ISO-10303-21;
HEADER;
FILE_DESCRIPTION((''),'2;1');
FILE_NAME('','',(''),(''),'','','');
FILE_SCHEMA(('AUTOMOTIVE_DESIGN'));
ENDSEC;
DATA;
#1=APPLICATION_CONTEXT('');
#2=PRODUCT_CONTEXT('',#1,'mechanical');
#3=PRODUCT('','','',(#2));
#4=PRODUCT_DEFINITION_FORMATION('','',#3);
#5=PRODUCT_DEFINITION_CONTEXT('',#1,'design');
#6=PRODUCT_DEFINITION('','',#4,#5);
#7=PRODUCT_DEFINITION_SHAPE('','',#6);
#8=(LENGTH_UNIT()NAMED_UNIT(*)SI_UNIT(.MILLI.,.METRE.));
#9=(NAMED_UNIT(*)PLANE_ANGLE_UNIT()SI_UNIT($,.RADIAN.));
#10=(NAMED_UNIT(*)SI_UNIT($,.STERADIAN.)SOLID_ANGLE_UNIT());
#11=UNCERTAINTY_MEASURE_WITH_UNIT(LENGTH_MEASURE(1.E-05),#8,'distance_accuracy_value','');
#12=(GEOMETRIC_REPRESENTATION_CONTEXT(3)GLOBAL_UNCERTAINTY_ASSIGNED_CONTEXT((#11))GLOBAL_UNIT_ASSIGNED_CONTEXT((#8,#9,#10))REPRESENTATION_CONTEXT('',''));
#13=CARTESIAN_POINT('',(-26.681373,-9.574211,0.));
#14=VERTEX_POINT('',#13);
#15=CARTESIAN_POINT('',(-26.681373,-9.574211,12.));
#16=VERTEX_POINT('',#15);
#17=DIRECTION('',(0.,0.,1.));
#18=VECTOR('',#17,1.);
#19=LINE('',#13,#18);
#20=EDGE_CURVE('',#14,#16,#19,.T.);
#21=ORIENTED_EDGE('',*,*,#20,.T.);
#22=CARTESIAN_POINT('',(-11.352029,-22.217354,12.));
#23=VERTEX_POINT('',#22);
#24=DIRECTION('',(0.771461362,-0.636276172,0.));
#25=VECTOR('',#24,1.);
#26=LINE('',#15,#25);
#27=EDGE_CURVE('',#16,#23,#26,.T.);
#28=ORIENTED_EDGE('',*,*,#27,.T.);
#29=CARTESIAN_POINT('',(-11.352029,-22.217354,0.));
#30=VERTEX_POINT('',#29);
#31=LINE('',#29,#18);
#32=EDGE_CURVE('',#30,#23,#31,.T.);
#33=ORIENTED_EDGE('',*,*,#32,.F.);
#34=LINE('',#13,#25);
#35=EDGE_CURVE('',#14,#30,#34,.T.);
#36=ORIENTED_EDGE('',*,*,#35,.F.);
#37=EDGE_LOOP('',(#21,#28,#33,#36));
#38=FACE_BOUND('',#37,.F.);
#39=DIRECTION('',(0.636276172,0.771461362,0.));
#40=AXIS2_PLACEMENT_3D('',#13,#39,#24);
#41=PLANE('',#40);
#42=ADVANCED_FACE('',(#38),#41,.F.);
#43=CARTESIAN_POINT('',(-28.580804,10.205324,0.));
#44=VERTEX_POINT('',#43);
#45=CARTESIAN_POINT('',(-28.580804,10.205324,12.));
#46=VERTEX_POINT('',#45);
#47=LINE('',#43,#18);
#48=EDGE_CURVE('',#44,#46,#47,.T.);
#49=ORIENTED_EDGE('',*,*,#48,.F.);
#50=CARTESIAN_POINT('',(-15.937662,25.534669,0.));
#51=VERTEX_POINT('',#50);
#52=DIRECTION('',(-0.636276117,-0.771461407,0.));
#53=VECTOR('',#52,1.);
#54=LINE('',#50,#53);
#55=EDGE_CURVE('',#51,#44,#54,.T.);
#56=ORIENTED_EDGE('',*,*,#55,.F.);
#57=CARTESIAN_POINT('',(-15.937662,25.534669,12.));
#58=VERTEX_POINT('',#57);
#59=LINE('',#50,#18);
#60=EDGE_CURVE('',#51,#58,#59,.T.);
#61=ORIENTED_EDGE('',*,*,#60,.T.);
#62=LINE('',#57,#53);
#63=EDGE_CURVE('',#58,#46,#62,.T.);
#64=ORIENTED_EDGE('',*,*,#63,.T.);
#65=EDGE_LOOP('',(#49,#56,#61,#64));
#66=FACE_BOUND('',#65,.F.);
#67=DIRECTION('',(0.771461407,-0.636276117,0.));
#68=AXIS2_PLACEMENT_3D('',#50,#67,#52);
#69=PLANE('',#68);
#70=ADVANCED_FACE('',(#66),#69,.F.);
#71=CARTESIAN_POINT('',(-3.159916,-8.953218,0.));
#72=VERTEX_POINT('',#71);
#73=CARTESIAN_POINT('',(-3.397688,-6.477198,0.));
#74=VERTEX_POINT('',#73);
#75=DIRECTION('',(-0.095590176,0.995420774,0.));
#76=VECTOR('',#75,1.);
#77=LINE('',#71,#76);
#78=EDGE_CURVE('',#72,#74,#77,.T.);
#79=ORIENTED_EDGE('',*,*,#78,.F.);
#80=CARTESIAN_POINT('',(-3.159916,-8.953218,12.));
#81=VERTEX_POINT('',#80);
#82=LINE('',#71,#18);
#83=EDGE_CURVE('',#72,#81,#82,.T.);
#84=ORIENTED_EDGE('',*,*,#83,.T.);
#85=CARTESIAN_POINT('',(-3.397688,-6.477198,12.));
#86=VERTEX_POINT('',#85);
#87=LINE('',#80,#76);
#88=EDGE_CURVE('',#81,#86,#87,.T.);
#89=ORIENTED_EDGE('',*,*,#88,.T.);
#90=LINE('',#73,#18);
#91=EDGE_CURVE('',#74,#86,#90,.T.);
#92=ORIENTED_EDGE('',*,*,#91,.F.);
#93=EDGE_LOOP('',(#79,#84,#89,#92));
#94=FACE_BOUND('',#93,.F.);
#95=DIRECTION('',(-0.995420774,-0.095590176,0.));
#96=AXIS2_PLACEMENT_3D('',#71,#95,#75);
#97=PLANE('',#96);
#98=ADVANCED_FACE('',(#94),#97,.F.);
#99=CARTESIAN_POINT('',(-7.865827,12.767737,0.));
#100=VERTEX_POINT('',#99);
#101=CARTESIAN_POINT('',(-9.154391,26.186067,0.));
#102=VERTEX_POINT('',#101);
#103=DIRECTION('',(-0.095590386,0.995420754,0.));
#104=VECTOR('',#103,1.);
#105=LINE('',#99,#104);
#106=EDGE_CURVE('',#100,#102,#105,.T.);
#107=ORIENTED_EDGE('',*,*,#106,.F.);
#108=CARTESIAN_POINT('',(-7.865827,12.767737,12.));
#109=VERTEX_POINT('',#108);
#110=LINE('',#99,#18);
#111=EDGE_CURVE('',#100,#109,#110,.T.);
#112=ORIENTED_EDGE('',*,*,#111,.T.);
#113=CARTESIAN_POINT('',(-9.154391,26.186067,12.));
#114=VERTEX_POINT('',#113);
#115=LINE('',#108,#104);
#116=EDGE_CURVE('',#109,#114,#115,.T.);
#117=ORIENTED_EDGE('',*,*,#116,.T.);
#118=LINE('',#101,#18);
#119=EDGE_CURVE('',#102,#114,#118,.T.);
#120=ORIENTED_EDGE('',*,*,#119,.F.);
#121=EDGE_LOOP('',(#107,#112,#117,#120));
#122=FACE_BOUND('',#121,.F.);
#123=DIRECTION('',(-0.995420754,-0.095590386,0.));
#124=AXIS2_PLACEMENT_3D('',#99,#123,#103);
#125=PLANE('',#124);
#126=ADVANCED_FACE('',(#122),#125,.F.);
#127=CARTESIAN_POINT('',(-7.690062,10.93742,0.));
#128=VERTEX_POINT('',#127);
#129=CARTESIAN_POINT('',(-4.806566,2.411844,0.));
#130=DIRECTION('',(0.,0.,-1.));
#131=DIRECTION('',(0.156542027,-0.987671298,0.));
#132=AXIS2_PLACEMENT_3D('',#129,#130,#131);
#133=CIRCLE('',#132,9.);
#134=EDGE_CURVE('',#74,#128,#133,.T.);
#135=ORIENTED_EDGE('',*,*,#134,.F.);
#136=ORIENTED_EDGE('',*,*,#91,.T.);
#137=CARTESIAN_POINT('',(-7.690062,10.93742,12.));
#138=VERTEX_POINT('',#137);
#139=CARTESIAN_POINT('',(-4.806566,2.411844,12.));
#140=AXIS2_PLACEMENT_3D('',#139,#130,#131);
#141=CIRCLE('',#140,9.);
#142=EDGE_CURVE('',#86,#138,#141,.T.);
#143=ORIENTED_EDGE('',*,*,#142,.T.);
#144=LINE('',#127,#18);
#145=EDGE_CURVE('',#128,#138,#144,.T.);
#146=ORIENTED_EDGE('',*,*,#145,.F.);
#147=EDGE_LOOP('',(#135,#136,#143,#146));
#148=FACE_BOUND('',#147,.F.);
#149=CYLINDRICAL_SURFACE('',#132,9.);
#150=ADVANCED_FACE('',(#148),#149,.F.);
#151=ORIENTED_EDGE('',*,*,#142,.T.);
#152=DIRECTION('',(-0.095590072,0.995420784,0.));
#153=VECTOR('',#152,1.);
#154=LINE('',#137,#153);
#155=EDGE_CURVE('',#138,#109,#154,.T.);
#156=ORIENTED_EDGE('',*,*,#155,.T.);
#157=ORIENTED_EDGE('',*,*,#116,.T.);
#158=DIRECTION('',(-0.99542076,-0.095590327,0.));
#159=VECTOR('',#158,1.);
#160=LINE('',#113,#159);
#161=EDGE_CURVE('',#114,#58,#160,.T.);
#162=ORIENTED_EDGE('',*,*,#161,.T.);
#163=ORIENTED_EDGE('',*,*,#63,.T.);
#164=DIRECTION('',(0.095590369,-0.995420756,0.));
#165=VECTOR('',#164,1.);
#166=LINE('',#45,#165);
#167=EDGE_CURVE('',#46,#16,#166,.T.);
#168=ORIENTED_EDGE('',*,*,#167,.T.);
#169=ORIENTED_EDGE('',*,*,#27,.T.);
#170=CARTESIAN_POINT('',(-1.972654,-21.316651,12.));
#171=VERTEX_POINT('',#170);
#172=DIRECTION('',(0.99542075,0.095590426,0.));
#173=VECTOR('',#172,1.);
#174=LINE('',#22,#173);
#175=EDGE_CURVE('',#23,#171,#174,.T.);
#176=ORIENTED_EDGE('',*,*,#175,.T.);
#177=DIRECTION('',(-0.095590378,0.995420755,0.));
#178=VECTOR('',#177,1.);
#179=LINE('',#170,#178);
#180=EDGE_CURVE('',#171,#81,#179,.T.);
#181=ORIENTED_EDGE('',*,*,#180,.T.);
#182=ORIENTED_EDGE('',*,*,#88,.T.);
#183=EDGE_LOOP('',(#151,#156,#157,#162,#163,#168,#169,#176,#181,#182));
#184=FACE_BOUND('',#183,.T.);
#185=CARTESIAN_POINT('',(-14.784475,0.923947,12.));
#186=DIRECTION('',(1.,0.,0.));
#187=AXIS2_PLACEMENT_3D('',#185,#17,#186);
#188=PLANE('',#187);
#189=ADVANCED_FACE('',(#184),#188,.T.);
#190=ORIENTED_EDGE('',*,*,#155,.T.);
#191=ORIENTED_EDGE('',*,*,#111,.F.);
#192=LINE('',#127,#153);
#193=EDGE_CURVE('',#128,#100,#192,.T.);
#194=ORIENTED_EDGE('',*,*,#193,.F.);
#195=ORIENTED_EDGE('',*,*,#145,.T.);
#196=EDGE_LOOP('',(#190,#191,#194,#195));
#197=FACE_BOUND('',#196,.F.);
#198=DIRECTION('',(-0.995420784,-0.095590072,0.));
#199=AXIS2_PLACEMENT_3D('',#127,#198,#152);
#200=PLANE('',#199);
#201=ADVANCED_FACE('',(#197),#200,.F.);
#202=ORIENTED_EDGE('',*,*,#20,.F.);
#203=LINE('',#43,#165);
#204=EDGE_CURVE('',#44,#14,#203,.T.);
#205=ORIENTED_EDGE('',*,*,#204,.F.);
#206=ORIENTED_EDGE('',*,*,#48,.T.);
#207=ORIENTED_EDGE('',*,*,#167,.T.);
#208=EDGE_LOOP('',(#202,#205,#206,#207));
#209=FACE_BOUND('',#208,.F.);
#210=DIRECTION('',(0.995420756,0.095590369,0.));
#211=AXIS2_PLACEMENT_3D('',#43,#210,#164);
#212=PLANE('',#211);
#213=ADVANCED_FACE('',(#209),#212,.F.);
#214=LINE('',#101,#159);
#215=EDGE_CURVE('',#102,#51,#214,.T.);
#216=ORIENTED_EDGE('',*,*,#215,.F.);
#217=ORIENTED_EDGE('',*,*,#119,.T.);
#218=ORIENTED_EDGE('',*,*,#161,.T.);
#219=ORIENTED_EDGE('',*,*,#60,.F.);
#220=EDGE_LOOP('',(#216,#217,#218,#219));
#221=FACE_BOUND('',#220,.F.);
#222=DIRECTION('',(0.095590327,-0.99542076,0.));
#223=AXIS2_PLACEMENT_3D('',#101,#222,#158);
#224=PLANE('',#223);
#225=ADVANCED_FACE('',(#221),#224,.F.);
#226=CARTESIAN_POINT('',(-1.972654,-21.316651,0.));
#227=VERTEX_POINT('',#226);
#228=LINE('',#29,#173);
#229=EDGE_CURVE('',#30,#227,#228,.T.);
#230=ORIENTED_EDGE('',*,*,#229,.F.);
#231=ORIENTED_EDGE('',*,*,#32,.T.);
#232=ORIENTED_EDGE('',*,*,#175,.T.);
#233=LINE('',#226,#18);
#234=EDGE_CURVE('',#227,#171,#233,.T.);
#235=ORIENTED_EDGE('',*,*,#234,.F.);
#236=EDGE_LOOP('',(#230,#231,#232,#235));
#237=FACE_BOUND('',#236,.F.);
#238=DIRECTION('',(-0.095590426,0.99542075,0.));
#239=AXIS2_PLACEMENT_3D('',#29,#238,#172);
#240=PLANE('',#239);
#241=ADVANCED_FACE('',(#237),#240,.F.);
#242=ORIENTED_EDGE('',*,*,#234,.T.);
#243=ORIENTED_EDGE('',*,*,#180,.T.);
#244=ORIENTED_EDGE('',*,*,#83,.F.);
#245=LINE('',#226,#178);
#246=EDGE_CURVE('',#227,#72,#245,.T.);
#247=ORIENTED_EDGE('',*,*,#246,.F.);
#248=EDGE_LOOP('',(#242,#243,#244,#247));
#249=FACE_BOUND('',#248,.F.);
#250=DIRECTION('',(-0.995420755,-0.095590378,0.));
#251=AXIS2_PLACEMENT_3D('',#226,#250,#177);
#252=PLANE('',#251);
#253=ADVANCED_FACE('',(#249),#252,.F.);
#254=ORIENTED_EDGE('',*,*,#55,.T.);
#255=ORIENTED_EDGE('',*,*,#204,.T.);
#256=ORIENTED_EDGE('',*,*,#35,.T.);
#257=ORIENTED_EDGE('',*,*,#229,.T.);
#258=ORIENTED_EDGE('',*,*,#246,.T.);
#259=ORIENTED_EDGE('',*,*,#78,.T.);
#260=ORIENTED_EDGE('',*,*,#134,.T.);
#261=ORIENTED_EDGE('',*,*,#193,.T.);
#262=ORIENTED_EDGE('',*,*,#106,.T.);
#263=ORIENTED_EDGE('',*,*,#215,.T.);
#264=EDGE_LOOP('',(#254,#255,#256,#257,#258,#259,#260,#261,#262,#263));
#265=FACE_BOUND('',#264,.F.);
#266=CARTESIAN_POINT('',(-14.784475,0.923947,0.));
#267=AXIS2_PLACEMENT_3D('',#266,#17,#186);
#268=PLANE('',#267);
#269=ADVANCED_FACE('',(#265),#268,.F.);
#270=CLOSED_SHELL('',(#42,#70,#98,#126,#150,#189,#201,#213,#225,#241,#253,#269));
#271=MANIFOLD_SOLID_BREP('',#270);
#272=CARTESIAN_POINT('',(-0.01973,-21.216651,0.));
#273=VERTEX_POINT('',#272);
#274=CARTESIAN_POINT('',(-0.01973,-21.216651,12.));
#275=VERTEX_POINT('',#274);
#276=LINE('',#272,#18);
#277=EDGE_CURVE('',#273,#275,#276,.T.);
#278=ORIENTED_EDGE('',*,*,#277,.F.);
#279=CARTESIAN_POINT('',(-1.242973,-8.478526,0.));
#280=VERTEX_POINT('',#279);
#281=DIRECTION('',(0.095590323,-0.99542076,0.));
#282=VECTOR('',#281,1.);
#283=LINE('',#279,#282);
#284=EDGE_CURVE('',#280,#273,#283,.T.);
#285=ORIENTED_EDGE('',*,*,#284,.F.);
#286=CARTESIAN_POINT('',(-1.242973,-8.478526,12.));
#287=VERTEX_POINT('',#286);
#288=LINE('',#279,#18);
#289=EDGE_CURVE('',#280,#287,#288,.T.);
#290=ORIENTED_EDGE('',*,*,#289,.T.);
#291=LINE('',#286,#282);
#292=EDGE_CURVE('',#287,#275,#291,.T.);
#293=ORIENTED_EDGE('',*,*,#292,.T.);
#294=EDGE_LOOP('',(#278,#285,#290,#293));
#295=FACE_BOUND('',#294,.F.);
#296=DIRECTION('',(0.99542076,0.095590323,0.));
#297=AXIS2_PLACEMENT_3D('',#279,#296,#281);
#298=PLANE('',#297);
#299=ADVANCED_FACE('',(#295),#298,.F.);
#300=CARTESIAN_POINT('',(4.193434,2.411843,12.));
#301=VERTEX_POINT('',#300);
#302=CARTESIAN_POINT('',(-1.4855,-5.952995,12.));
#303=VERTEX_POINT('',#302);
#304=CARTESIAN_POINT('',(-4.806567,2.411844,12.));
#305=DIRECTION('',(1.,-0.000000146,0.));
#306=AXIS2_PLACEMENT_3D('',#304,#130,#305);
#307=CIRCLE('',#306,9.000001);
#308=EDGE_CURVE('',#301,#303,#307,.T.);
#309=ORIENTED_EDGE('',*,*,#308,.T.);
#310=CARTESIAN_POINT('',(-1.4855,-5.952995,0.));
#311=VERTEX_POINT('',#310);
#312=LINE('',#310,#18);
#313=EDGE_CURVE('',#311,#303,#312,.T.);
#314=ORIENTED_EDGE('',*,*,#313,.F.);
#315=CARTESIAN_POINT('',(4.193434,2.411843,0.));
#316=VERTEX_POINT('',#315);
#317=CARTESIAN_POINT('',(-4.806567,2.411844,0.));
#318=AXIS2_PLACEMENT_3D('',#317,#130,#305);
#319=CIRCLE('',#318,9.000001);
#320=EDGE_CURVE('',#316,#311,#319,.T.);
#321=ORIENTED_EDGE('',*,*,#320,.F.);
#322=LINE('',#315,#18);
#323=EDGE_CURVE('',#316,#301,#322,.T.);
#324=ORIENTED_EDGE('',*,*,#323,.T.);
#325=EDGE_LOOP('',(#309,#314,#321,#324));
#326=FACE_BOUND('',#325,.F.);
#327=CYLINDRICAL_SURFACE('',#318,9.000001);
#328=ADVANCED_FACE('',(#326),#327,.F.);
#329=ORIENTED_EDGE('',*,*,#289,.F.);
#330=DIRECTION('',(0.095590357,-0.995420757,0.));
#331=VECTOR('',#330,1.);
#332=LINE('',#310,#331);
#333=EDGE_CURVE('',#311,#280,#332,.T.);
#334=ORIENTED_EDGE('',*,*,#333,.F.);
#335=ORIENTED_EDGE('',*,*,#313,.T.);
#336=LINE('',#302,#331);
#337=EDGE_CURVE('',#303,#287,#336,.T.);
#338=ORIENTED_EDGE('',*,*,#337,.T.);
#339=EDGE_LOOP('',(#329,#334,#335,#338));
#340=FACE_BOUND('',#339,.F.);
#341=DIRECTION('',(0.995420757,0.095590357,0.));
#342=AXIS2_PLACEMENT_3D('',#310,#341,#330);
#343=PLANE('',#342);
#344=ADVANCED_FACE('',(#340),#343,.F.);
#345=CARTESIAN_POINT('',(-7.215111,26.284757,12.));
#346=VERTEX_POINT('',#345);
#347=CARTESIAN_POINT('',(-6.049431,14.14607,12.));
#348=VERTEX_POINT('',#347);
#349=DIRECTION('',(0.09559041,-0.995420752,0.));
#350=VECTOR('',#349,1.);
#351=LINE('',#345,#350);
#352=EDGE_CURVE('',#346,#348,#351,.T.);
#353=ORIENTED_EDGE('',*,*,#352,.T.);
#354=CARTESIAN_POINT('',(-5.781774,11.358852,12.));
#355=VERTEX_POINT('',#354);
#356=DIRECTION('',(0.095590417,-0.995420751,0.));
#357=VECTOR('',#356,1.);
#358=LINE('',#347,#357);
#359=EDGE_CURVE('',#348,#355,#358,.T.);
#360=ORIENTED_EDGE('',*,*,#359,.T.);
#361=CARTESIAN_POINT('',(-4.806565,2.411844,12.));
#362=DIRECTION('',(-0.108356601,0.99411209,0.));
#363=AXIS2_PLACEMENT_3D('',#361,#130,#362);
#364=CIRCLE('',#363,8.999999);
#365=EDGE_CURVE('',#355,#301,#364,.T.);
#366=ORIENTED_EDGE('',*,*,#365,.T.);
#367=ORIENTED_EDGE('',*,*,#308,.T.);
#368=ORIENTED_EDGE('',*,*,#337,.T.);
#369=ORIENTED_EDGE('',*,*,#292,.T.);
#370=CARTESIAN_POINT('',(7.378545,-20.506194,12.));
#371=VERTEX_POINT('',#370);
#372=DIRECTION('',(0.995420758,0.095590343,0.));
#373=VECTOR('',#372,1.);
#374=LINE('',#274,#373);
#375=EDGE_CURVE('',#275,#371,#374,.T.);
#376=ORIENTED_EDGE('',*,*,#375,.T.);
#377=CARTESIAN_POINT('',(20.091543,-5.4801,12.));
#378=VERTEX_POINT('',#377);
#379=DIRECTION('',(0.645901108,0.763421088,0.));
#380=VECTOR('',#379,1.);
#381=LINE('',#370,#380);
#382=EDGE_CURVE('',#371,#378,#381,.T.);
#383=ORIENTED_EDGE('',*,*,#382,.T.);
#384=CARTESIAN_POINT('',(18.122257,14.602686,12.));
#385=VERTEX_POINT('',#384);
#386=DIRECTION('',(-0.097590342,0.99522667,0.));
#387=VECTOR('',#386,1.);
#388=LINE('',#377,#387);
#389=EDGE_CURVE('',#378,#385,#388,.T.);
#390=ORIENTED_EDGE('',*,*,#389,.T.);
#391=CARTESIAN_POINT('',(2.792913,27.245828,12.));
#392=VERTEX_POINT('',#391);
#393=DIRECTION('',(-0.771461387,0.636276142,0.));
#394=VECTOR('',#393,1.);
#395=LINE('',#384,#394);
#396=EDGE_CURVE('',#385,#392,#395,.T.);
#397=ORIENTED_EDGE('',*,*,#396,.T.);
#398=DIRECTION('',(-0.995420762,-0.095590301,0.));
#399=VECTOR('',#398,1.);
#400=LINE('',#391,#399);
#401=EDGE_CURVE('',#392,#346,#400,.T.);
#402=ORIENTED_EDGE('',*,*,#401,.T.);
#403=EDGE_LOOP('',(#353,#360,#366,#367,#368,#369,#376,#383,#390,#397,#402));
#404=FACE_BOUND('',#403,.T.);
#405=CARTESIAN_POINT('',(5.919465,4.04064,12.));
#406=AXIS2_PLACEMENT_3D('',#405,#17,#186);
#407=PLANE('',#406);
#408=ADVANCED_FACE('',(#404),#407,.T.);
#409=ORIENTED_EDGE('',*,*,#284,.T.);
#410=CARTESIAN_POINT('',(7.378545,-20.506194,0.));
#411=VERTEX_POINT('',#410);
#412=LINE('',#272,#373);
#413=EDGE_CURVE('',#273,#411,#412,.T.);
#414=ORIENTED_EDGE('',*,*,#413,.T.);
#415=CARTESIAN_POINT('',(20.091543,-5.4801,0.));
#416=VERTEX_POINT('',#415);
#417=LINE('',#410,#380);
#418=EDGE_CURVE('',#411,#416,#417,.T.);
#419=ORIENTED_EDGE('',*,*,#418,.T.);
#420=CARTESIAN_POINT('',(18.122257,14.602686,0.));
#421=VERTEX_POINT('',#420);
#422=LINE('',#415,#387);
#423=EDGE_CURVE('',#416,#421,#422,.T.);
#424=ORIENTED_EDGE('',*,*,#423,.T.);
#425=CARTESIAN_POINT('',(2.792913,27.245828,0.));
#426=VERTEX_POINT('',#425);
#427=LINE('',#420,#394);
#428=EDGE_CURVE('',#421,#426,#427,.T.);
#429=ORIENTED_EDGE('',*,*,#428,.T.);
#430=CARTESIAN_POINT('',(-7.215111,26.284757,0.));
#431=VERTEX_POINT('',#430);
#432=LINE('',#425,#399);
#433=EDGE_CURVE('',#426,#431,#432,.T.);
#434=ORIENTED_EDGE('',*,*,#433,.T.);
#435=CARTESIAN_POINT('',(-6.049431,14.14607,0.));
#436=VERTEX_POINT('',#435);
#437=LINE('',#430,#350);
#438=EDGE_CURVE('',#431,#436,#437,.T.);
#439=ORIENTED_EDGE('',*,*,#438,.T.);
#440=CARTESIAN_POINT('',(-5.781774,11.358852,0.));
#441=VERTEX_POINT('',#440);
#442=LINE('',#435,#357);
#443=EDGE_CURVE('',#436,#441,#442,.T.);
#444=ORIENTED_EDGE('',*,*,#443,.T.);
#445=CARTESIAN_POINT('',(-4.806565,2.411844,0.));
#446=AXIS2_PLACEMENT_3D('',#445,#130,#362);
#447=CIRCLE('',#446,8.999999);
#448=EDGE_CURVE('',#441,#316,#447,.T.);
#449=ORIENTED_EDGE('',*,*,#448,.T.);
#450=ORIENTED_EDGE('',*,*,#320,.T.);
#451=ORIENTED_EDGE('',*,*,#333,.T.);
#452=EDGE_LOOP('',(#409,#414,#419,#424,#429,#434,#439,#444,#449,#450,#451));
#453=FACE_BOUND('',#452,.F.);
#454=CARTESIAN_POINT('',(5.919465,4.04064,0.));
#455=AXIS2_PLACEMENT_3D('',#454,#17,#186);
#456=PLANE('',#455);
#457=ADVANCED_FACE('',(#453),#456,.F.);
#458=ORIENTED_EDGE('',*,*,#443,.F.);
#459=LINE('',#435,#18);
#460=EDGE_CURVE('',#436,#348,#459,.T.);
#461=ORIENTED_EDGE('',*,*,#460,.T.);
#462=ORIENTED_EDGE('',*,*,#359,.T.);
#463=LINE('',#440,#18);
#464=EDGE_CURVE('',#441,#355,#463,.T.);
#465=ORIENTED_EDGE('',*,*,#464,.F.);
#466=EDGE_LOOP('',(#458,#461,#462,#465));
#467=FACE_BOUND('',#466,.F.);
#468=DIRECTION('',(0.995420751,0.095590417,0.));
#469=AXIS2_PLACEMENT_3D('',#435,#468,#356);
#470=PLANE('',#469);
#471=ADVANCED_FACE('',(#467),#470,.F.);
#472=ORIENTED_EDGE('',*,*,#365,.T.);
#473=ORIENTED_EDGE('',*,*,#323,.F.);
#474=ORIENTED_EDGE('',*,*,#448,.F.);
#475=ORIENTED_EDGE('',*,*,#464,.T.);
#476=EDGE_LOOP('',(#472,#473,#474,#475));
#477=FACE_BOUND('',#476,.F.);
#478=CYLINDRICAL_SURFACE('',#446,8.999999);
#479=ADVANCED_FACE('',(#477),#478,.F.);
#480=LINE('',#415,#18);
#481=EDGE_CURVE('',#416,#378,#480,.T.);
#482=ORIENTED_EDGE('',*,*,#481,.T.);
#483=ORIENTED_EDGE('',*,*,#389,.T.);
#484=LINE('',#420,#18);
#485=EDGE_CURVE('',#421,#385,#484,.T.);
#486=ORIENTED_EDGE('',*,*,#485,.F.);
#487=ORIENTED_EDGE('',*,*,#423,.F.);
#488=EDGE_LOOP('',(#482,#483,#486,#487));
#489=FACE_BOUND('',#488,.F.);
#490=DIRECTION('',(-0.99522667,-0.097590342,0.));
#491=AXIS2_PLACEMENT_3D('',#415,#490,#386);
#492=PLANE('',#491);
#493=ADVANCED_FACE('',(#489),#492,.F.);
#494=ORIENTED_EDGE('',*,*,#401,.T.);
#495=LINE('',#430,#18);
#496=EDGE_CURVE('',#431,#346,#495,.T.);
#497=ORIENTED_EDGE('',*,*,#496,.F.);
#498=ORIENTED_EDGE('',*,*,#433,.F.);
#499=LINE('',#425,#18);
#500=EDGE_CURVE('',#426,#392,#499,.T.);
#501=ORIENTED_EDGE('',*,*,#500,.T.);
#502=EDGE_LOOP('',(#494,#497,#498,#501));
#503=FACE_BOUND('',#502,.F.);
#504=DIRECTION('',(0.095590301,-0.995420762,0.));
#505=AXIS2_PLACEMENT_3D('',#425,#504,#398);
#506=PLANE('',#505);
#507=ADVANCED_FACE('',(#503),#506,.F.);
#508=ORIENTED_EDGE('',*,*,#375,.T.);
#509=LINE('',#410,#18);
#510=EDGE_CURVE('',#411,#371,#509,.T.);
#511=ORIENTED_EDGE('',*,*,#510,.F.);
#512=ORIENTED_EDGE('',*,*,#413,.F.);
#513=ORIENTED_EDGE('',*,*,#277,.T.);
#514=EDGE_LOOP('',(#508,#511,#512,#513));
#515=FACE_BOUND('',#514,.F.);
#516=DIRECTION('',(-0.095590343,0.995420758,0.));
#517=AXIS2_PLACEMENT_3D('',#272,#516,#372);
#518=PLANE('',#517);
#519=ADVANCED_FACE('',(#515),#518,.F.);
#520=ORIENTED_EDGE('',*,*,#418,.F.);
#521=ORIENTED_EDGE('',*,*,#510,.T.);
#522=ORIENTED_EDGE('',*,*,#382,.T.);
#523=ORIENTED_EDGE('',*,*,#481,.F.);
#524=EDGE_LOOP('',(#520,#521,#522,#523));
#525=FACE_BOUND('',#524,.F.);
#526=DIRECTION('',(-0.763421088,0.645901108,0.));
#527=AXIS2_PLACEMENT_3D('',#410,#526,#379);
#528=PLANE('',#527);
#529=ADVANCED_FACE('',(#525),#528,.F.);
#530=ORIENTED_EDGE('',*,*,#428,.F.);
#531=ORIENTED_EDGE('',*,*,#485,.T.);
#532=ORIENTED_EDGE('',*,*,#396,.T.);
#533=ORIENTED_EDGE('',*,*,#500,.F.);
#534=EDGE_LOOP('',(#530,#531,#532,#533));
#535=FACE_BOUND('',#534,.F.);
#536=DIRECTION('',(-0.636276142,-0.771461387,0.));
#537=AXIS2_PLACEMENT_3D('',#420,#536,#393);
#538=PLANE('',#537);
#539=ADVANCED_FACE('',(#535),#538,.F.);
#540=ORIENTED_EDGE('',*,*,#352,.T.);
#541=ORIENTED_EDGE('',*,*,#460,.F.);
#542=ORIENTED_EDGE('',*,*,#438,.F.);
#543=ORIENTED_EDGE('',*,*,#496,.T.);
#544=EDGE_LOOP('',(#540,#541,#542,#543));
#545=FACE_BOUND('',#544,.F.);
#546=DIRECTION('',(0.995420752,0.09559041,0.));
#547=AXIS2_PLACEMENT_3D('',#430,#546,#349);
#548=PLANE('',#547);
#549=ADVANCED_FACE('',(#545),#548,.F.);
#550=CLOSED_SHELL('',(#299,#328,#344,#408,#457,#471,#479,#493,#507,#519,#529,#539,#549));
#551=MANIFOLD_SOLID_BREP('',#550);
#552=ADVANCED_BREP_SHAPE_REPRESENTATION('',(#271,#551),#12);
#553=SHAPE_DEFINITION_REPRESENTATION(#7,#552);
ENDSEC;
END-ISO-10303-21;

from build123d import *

# Parameters (mm, degrees)
F1_DEPTH = 12


with BuildPart() as f1:
    # F0 (on Top) → F1 (new body)
    with BuildSketch(Plane.XY):
        with BuildLine():
            ThreePointArc((-3.397688, -6.477198), (-13.545036, 0.257976), (-7.690062, 10.93742))
            Line((-7.690062, 10.93742), (-7.865827, 12.767737))
            Line((-7.865827, 12.767737), (-9.154391, 26.186067))
            Line((-9.154391, 26.186067), (-15.937662, 25.534669))
            Line((-15.937662, 25.534669), (-28.580804, 10.205324))
            Line((-28.580804, 10.205324), (-26.681373, -9.574211))
            Line((-26.681373, -9.574211), (-11.352029, -22.217354))
            Line((-11.352029, -22.217354), (-1.972654, -21.316651))
            Line((-1.972654, -21.316651), (-3.159916, -8.953218))
            Line((-3.159916, -8.953218), (-3.397688, -6.477198))
        make_face()
        with BuildLine():
            Line((18.122257, 14.602686), (2.792913, 27.245828))
            Line((2.792913, 27.245828), (-7.215111, 26.284757))
            Line((-7.215111, 26.284757), (-6.049431, 14.14607))
            Line((-6.049431, 14.14607), (-5.781774, 11.358852))
            ThreePointArc((-5.781774, 11.358852), (1.202724, 9.111727), (4.193434, 2.411843))
            ThreePointArc((4.193434, 2.411843), (2.63956, -2.643372), (-1.4855, -5.952995))
            Line((-1.4855, -5.952995), (-1.242973, -8.478526))
            Line((-1.242973, -8.478526), (-0.01973, -21.216651))
            Line((-0.01973, -21.216651), (7.378545, -20.506194))
            Line((7.378545, -20.506194), (20.091543, -5.4801))
            Line((20.091543, -5.4801), (18.122257, 14.602686))
        make_face()
    extrude(amount=F1_DEPTH)


solid = f1.part
